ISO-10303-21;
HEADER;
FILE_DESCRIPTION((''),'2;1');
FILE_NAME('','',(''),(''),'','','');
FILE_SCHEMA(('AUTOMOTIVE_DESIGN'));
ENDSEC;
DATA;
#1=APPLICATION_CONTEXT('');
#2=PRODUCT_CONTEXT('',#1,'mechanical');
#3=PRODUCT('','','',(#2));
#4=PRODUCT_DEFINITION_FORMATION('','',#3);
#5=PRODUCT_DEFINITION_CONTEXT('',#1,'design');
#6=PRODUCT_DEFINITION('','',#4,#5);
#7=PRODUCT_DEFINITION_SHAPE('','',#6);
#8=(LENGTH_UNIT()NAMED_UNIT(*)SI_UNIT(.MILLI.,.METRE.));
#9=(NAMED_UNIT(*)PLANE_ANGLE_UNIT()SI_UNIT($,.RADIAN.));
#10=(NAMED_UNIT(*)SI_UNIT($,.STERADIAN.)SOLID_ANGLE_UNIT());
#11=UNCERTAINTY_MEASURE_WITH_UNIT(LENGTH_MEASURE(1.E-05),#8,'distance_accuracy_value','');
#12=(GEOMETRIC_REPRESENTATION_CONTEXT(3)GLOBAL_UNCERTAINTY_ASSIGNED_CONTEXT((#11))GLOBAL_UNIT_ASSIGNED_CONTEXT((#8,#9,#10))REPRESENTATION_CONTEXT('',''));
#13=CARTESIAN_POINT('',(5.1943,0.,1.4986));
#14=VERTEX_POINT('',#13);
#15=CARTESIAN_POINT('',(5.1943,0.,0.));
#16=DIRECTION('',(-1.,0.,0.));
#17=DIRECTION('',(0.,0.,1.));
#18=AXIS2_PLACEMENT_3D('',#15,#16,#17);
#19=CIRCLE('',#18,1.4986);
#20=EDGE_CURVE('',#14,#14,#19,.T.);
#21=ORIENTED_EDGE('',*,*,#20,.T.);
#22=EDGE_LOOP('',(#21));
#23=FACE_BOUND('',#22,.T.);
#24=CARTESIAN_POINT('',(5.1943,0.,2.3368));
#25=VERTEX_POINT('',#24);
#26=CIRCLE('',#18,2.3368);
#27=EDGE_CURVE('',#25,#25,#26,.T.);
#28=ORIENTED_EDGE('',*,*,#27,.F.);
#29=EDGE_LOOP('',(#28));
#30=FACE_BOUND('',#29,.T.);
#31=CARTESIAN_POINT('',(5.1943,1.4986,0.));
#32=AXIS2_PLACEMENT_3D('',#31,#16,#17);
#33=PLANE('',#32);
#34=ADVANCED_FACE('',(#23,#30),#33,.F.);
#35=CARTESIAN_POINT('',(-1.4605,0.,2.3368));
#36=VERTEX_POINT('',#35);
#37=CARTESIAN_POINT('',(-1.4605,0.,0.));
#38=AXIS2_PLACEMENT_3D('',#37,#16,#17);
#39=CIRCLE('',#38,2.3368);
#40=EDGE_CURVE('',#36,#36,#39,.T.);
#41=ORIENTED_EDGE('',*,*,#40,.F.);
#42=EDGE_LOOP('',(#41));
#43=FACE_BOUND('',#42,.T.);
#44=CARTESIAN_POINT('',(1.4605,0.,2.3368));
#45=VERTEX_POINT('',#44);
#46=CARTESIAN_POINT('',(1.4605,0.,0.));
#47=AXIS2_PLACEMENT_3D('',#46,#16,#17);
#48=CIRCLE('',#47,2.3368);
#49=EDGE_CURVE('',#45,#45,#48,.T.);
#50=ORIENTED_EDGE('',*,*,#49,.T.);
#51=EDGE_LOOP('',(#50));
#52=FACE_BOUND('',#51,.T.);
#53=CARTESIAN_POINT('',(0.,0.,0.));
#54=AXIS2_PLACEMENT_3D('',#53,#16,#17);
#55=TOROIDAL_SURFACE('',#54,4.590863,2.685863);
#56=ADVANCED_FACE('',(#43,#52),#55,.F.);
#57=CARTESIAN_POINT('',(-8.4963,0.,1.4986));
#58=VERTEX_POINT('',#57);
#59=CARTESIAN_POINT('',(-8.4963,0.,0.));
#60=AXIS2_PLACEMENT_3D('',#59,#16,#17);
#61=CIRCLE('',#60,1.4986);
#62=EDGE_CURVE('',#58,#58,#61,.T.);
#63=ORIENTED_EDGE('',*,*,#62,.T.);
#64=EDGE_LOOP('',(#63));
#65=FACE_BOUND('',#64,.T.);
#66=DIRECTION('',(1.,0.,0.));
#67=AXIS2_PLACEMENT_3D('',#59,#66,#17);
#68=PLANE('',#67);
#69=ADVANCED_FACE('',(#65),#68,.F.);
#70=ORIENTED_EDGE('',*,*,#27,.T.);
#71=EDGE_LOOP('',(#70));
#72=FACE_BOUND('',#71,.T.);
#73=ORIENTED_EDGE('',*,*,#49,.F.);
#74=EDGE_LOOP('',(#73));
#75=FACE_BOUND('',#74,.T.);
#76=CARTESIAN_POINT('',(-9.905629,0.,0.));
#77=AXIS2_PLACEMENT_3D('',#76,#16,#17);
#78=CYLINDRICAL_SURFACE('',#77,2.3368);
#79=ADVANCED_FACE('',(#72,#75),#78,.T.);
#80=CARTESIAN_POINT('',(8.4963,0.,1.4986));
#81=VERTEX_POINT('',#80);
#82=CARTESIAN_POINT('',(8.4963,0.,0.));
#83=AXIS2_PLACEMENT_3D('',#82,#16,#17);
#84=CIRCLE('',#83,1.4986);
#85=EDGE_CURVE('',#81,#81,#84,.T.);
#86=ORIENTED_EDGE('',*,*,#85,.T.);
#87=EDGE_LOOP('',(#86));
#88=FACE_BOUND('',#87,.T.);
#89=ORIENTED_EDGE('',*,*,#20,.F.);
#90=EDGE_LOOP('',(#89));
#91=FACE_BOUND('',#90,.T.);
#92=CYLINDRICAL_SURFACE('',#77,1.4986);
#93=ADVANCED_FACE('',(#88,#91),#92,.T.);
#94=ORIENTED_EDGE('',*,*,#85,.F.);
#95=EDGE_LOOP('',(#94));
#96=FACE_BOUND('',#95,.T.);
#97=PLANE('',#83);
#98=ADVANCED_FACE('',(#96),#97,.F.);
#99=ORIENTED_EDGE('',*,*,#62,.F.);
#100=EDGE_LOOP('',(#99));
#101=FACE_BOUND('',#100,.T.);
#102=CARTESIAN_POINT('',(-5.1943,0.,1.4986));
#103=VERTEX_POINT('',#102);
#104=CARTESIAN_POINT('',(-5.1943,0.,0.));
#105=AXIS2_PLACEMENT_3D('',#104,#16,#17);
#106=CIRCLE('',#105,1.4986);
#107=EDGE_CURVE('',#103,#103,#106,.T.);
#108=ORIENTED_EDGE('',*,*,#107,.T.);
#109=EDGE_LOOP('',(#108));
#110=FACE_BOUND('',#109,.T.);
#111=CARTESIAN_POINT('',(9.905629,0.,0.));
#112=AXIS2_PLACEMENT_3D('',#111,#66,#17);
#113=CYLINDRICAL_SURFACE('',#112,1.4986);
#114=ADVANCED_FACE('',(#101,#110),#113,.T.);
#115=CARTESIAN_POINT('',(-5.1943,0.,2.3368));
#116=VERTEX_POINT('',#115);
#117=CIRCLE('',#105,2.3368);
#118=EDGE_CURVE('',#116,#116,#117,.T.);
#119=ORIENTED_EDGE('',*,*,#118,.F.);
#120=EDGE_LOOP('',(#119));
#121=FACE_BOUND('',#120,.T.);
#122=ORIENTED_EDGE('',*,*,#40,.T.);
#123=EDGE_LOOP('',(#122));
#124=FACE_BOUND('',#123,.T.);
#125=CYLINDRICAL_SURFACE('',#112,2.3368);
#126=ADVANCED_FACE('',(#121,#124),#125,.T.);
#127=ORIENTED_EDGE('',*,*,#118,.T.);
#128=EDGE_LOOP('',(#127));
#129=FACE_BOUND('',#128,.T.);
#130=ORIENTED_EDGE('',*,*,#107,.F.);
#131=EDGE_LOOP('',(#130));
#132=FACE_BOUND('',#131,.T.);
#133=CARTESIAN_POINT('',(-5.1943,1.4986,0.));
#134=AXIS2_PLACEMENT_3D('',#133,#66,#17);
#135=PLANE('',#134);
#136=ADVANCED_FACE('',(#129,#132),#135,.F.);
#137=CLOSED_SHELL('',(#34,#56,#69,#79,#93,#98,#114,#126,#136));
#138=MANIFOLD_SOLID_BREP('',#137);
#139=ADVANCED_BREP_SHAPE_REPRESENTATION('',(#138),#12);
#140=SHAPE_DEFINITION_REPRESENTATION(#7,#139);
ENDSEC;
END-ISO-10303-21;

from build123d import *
from build123d.topology import SkipClean


with BuildPart() as part:
    # Sketch1 → Revolve1 (revolve)
    with BuildSketch(Plane.XY):
        with BuildLine():
            Line((0, 0), (8.4963, 0))
            Line((8.4963, 0), (8.4963, 1.4986))
            Line((8.4963, 1.4986), (5.1943, 1.4986))
            Line((5.1943, 1.4986), (5.1943, 2.3368))
            Line((5.1943, 2.3368), (1.4605, 2.3368))
            ThreePointArc((1.4605, 2.3368), (0.761497126, 2.015211192), (0, 1.905))
            Line((0, 1.905), (0, 0))
        make_face()
    revolve1 = revolve(axis=Axis((-9.905629385, 0, 0), (1, 0, 0)))

    # Mirror1: Revolve1 across plane
    with SkipClean():  # the faces are left unmerged after this step: merging them gives an invalid solid
        add(revolve1.mirror(Plane(origin=(0, 0, 0), x_dir=(0, 0, 1), z_dir=(1, 0, 0))))


solid = part.part
